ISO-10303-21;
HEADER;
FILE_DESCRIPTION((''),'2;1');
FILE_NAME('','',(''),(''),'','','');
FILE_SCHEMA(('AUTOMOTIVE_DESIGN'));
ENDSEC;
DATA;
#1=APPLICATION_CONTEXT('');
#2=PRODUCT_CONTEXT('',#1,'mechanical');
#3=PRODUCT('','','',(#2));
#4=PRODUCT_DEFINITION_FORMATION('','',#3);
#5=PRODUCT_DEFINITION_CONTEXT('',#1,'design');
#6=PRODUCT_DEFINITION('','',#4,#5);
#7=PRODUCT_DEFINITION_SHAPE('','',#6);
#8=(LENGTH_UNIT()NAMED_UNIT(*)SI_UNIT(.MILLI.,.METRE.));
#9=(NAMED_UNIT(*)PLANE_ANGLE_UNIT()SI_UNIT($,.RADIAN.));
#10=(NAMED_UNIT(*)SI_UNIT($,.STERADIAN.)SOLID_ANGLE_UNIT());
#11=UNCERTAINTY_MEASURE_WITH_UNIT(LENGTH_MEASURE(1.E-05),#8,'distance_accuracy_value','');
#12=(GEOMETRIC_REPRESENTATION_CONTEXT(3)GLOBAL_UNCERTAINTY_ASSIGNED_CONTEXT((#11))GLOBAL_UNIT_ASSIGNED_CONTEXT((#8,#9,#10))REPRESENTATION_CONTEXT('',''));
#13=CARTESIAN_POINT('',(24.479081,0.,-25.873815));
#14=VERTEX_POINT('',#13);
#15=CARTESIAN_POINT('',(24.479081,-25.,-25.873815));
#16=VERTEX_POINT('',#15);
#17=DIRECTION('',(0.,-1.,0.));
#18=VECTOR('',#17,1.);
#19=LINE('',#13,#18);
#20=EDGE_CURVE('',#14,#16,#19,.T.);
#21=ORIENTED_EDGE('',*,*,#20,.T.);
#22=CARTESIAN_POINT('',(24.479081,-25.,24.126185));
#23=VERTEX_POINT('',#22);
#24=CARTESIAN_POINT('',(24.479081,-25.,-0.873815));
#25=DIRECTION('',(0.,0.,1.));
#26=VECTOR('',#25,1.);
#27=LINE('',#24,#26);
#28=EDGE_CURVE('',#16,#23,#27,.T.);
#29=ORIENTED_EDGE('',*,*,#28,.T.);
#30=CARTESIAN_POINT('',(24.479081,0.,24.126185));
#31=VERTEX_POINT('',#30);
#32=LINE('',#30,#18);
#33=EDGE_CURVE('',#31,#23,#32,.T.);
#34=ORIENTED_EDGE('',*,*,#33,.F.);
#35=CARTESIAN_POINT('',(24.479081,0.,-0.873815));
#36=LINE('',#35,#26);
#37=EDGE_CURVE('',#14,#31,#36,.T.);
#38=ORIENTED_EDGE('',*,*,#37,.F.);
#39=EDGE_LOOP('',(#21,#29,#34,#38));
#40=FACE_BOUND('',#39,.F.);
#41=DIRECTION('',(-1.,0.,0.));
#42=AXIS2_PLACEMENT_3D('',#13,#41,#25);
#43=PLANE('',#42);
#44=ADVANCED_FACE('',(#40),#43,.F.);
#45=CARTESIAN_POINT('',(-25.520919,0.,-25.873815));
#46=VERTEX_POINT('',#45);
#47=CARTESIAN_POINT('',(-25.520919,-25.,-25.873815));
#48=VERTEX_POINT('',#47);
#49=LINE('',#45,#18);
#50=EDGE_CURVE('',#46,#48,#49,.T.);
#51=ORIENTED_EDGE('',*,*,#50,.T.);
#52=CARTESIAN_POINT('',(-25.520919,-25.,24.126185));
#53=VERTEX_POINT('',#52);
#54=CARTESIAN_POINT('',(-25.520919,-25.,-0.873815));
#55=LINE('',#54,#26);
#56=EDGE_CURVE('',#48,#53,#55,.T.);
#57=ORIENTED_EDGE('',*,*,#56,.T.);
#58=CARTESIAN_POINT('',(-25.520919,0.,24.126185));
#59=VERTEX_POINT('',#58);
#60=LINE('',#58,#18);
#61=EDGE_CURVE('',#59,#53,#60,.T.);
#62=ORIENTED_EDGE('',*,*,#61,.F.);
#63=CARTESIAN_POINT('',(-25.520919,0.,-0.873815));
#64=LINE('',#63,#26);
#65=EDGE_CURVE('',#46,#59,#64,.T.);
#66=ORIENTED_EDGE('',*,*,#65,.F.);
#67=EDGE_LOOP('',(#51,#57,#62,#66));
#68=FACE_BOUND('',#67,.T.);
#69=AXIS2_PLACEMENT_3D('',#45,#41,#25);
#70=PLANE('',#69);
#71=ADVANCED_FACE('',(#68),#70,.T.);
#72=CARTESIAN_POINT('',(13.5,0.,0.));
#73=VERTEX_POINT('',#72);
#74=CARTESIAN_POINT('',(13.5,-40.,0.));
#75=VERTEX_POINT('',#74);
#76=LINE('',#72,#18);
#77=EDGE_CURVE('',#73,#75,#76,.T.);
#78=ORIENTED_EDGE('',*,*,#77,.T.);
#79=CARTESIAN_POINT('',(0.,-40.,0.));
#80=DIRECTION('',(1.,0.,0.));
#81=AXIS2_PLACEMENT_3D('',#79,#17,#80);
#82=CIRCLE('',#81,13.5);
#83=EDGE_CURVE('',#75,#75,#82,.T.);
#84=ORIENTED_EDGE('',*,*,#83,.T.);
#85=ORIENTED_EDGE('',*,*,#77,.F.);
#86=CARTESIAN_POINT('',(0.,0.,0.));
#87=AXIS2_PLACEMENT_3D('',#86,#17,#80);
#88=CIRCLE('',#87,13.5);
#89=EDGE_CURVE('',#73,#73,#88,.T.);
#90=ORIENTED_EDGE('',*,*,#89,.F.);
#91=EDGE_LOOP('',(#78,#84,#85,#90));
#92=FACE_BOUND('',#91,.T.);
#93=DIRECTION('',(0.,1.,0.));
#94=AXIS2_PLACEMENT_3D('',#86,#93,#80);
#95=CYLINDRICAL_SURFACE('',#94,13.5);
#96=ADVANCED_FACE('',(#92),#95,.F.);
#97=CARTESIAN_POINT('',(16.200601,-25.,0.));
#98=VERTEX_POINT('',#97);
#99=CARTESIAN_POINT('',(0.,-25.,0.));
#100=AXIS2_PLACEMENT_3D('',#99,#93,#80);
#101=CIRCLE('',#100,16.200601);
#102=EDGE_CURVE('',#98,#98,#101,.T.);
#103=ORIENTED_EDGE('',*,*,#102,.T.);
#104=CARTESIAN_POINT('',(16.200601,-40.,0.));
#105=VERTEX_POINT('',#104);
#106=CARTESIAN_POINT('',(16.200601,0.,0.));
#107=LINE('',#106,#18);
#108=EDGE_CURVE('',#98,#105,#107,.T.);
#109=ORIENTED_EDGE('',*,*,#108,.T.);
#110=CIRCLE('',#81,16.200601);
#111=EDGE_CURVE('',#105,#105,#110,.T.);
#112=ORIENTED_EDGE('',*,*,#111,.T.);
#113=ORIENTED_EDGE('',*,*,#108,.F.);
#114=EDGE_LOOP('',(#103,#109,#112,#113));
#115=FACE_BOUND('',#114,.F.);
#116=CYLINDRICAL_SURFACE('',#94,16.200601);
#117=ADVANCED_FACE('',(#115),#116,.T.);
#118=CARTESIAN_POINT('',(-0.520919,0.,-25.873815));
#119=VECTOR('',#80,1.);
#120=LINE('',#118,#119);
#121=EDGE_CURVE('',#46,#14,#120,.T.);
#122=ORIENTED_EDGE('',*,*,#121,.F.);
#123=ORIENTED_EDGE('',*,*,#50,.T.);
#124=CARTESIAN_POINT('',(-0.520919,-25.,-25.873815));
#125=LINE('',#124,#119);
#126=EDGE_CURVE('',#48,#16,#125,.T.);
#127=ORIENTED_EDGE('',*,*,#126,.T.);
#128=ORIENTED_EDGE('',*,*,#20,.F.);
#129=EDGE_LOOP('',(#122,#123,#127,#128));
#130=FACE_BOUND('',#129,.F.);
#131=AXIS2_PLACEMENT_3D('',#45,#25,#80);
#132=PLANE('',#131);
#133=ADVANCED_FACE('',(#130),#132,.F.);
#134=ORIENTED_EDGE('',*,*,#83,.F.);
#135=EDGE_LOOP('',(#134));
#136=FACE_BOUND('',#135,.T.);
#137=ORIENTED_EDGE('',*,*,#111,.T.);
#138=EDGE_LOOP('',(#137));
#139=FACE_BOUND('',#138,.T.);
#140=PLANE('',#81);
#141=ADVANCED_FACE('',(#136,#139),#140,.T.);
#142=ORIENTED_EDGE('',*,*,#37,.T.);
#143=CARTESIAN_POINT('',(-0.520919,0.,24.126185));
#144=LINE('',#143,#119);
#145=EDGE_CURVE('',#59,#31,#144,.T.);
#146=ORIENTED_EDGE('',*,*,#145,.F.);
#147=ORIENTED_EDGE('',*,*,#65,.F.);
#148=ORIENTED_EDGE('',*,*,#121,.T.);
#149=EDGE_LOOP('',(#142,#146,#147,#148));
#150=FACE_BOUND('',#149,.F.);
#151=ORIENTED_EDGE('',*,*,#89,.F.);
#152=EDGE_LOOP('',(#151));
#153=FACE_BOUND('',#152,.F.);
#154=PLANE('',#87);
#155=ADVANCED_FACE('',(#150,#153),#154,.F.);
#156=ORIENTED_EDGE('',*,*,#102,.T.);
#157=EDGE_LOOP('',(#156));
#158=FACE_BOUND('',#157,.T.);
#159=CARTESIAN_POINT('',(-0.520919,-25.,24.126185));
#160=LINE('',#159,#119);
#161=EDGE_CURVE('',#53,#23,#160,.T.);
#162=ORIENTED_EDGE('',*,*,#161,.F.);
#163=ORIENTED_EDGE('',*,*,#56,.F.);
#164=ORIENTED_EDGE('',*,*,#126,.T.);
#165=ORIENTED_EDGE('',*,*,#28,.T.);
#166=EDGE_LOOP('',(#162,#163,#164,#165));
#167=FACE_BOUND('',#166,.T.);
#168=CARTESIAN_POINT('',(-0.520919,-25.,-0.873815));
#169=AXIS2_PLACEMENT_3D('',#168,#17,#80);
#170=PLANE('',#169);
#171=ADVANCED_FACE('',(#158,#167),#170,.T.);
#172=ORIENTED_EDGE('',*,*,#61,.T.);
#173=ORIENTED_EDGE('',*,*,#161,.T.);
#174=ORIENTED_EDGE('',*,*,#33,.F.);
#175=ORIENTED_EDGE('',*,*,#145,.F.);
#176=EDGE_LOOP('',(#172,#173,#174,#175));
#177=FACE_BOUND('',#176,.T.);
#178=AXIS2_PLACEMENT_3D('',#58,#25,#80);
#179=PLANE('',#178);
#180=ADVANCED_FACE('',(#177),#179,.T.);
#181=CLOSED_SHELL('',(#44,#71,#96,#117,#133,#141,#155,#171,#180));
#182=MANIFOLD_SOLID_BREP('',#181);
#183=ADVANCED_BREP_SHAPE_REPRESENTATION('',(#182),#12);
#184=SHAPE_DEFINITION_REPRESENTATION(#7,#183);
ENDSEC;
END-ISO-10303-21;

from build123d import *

# Parameters (mm, degrees)
F0_W     = 50
F0_H     = 50
F1_DEPTH = 25
F2_R     = 16.200601
F3_DEPTH = 40
F4_R     = 13.5
F5_DEPTH = 40


with BuildPart() as f1:
    # F0 (on Front) → F1 (new body)
    with BuildSketch(Plane.XZ):
        with Locations((-0.520919, -0.873815)):
            Rectangle(F0_W, F0_H)
    extrude(amount=F1_DEPTH)

    # F2 (on Front) → F3 (join)
    with BuildSketch(Plane.XZ):
        Circle(F2_R)
    extrude(amount=F3_DEPTH)

    # F4 (on Front) → F5 (cut)
    with BuildSketch(Plane.XZ):
        Circle(F4_R)
    extrude(amount=F5_DEPTH, mode=Mode.SUBTRACT)


solid = f1.part
